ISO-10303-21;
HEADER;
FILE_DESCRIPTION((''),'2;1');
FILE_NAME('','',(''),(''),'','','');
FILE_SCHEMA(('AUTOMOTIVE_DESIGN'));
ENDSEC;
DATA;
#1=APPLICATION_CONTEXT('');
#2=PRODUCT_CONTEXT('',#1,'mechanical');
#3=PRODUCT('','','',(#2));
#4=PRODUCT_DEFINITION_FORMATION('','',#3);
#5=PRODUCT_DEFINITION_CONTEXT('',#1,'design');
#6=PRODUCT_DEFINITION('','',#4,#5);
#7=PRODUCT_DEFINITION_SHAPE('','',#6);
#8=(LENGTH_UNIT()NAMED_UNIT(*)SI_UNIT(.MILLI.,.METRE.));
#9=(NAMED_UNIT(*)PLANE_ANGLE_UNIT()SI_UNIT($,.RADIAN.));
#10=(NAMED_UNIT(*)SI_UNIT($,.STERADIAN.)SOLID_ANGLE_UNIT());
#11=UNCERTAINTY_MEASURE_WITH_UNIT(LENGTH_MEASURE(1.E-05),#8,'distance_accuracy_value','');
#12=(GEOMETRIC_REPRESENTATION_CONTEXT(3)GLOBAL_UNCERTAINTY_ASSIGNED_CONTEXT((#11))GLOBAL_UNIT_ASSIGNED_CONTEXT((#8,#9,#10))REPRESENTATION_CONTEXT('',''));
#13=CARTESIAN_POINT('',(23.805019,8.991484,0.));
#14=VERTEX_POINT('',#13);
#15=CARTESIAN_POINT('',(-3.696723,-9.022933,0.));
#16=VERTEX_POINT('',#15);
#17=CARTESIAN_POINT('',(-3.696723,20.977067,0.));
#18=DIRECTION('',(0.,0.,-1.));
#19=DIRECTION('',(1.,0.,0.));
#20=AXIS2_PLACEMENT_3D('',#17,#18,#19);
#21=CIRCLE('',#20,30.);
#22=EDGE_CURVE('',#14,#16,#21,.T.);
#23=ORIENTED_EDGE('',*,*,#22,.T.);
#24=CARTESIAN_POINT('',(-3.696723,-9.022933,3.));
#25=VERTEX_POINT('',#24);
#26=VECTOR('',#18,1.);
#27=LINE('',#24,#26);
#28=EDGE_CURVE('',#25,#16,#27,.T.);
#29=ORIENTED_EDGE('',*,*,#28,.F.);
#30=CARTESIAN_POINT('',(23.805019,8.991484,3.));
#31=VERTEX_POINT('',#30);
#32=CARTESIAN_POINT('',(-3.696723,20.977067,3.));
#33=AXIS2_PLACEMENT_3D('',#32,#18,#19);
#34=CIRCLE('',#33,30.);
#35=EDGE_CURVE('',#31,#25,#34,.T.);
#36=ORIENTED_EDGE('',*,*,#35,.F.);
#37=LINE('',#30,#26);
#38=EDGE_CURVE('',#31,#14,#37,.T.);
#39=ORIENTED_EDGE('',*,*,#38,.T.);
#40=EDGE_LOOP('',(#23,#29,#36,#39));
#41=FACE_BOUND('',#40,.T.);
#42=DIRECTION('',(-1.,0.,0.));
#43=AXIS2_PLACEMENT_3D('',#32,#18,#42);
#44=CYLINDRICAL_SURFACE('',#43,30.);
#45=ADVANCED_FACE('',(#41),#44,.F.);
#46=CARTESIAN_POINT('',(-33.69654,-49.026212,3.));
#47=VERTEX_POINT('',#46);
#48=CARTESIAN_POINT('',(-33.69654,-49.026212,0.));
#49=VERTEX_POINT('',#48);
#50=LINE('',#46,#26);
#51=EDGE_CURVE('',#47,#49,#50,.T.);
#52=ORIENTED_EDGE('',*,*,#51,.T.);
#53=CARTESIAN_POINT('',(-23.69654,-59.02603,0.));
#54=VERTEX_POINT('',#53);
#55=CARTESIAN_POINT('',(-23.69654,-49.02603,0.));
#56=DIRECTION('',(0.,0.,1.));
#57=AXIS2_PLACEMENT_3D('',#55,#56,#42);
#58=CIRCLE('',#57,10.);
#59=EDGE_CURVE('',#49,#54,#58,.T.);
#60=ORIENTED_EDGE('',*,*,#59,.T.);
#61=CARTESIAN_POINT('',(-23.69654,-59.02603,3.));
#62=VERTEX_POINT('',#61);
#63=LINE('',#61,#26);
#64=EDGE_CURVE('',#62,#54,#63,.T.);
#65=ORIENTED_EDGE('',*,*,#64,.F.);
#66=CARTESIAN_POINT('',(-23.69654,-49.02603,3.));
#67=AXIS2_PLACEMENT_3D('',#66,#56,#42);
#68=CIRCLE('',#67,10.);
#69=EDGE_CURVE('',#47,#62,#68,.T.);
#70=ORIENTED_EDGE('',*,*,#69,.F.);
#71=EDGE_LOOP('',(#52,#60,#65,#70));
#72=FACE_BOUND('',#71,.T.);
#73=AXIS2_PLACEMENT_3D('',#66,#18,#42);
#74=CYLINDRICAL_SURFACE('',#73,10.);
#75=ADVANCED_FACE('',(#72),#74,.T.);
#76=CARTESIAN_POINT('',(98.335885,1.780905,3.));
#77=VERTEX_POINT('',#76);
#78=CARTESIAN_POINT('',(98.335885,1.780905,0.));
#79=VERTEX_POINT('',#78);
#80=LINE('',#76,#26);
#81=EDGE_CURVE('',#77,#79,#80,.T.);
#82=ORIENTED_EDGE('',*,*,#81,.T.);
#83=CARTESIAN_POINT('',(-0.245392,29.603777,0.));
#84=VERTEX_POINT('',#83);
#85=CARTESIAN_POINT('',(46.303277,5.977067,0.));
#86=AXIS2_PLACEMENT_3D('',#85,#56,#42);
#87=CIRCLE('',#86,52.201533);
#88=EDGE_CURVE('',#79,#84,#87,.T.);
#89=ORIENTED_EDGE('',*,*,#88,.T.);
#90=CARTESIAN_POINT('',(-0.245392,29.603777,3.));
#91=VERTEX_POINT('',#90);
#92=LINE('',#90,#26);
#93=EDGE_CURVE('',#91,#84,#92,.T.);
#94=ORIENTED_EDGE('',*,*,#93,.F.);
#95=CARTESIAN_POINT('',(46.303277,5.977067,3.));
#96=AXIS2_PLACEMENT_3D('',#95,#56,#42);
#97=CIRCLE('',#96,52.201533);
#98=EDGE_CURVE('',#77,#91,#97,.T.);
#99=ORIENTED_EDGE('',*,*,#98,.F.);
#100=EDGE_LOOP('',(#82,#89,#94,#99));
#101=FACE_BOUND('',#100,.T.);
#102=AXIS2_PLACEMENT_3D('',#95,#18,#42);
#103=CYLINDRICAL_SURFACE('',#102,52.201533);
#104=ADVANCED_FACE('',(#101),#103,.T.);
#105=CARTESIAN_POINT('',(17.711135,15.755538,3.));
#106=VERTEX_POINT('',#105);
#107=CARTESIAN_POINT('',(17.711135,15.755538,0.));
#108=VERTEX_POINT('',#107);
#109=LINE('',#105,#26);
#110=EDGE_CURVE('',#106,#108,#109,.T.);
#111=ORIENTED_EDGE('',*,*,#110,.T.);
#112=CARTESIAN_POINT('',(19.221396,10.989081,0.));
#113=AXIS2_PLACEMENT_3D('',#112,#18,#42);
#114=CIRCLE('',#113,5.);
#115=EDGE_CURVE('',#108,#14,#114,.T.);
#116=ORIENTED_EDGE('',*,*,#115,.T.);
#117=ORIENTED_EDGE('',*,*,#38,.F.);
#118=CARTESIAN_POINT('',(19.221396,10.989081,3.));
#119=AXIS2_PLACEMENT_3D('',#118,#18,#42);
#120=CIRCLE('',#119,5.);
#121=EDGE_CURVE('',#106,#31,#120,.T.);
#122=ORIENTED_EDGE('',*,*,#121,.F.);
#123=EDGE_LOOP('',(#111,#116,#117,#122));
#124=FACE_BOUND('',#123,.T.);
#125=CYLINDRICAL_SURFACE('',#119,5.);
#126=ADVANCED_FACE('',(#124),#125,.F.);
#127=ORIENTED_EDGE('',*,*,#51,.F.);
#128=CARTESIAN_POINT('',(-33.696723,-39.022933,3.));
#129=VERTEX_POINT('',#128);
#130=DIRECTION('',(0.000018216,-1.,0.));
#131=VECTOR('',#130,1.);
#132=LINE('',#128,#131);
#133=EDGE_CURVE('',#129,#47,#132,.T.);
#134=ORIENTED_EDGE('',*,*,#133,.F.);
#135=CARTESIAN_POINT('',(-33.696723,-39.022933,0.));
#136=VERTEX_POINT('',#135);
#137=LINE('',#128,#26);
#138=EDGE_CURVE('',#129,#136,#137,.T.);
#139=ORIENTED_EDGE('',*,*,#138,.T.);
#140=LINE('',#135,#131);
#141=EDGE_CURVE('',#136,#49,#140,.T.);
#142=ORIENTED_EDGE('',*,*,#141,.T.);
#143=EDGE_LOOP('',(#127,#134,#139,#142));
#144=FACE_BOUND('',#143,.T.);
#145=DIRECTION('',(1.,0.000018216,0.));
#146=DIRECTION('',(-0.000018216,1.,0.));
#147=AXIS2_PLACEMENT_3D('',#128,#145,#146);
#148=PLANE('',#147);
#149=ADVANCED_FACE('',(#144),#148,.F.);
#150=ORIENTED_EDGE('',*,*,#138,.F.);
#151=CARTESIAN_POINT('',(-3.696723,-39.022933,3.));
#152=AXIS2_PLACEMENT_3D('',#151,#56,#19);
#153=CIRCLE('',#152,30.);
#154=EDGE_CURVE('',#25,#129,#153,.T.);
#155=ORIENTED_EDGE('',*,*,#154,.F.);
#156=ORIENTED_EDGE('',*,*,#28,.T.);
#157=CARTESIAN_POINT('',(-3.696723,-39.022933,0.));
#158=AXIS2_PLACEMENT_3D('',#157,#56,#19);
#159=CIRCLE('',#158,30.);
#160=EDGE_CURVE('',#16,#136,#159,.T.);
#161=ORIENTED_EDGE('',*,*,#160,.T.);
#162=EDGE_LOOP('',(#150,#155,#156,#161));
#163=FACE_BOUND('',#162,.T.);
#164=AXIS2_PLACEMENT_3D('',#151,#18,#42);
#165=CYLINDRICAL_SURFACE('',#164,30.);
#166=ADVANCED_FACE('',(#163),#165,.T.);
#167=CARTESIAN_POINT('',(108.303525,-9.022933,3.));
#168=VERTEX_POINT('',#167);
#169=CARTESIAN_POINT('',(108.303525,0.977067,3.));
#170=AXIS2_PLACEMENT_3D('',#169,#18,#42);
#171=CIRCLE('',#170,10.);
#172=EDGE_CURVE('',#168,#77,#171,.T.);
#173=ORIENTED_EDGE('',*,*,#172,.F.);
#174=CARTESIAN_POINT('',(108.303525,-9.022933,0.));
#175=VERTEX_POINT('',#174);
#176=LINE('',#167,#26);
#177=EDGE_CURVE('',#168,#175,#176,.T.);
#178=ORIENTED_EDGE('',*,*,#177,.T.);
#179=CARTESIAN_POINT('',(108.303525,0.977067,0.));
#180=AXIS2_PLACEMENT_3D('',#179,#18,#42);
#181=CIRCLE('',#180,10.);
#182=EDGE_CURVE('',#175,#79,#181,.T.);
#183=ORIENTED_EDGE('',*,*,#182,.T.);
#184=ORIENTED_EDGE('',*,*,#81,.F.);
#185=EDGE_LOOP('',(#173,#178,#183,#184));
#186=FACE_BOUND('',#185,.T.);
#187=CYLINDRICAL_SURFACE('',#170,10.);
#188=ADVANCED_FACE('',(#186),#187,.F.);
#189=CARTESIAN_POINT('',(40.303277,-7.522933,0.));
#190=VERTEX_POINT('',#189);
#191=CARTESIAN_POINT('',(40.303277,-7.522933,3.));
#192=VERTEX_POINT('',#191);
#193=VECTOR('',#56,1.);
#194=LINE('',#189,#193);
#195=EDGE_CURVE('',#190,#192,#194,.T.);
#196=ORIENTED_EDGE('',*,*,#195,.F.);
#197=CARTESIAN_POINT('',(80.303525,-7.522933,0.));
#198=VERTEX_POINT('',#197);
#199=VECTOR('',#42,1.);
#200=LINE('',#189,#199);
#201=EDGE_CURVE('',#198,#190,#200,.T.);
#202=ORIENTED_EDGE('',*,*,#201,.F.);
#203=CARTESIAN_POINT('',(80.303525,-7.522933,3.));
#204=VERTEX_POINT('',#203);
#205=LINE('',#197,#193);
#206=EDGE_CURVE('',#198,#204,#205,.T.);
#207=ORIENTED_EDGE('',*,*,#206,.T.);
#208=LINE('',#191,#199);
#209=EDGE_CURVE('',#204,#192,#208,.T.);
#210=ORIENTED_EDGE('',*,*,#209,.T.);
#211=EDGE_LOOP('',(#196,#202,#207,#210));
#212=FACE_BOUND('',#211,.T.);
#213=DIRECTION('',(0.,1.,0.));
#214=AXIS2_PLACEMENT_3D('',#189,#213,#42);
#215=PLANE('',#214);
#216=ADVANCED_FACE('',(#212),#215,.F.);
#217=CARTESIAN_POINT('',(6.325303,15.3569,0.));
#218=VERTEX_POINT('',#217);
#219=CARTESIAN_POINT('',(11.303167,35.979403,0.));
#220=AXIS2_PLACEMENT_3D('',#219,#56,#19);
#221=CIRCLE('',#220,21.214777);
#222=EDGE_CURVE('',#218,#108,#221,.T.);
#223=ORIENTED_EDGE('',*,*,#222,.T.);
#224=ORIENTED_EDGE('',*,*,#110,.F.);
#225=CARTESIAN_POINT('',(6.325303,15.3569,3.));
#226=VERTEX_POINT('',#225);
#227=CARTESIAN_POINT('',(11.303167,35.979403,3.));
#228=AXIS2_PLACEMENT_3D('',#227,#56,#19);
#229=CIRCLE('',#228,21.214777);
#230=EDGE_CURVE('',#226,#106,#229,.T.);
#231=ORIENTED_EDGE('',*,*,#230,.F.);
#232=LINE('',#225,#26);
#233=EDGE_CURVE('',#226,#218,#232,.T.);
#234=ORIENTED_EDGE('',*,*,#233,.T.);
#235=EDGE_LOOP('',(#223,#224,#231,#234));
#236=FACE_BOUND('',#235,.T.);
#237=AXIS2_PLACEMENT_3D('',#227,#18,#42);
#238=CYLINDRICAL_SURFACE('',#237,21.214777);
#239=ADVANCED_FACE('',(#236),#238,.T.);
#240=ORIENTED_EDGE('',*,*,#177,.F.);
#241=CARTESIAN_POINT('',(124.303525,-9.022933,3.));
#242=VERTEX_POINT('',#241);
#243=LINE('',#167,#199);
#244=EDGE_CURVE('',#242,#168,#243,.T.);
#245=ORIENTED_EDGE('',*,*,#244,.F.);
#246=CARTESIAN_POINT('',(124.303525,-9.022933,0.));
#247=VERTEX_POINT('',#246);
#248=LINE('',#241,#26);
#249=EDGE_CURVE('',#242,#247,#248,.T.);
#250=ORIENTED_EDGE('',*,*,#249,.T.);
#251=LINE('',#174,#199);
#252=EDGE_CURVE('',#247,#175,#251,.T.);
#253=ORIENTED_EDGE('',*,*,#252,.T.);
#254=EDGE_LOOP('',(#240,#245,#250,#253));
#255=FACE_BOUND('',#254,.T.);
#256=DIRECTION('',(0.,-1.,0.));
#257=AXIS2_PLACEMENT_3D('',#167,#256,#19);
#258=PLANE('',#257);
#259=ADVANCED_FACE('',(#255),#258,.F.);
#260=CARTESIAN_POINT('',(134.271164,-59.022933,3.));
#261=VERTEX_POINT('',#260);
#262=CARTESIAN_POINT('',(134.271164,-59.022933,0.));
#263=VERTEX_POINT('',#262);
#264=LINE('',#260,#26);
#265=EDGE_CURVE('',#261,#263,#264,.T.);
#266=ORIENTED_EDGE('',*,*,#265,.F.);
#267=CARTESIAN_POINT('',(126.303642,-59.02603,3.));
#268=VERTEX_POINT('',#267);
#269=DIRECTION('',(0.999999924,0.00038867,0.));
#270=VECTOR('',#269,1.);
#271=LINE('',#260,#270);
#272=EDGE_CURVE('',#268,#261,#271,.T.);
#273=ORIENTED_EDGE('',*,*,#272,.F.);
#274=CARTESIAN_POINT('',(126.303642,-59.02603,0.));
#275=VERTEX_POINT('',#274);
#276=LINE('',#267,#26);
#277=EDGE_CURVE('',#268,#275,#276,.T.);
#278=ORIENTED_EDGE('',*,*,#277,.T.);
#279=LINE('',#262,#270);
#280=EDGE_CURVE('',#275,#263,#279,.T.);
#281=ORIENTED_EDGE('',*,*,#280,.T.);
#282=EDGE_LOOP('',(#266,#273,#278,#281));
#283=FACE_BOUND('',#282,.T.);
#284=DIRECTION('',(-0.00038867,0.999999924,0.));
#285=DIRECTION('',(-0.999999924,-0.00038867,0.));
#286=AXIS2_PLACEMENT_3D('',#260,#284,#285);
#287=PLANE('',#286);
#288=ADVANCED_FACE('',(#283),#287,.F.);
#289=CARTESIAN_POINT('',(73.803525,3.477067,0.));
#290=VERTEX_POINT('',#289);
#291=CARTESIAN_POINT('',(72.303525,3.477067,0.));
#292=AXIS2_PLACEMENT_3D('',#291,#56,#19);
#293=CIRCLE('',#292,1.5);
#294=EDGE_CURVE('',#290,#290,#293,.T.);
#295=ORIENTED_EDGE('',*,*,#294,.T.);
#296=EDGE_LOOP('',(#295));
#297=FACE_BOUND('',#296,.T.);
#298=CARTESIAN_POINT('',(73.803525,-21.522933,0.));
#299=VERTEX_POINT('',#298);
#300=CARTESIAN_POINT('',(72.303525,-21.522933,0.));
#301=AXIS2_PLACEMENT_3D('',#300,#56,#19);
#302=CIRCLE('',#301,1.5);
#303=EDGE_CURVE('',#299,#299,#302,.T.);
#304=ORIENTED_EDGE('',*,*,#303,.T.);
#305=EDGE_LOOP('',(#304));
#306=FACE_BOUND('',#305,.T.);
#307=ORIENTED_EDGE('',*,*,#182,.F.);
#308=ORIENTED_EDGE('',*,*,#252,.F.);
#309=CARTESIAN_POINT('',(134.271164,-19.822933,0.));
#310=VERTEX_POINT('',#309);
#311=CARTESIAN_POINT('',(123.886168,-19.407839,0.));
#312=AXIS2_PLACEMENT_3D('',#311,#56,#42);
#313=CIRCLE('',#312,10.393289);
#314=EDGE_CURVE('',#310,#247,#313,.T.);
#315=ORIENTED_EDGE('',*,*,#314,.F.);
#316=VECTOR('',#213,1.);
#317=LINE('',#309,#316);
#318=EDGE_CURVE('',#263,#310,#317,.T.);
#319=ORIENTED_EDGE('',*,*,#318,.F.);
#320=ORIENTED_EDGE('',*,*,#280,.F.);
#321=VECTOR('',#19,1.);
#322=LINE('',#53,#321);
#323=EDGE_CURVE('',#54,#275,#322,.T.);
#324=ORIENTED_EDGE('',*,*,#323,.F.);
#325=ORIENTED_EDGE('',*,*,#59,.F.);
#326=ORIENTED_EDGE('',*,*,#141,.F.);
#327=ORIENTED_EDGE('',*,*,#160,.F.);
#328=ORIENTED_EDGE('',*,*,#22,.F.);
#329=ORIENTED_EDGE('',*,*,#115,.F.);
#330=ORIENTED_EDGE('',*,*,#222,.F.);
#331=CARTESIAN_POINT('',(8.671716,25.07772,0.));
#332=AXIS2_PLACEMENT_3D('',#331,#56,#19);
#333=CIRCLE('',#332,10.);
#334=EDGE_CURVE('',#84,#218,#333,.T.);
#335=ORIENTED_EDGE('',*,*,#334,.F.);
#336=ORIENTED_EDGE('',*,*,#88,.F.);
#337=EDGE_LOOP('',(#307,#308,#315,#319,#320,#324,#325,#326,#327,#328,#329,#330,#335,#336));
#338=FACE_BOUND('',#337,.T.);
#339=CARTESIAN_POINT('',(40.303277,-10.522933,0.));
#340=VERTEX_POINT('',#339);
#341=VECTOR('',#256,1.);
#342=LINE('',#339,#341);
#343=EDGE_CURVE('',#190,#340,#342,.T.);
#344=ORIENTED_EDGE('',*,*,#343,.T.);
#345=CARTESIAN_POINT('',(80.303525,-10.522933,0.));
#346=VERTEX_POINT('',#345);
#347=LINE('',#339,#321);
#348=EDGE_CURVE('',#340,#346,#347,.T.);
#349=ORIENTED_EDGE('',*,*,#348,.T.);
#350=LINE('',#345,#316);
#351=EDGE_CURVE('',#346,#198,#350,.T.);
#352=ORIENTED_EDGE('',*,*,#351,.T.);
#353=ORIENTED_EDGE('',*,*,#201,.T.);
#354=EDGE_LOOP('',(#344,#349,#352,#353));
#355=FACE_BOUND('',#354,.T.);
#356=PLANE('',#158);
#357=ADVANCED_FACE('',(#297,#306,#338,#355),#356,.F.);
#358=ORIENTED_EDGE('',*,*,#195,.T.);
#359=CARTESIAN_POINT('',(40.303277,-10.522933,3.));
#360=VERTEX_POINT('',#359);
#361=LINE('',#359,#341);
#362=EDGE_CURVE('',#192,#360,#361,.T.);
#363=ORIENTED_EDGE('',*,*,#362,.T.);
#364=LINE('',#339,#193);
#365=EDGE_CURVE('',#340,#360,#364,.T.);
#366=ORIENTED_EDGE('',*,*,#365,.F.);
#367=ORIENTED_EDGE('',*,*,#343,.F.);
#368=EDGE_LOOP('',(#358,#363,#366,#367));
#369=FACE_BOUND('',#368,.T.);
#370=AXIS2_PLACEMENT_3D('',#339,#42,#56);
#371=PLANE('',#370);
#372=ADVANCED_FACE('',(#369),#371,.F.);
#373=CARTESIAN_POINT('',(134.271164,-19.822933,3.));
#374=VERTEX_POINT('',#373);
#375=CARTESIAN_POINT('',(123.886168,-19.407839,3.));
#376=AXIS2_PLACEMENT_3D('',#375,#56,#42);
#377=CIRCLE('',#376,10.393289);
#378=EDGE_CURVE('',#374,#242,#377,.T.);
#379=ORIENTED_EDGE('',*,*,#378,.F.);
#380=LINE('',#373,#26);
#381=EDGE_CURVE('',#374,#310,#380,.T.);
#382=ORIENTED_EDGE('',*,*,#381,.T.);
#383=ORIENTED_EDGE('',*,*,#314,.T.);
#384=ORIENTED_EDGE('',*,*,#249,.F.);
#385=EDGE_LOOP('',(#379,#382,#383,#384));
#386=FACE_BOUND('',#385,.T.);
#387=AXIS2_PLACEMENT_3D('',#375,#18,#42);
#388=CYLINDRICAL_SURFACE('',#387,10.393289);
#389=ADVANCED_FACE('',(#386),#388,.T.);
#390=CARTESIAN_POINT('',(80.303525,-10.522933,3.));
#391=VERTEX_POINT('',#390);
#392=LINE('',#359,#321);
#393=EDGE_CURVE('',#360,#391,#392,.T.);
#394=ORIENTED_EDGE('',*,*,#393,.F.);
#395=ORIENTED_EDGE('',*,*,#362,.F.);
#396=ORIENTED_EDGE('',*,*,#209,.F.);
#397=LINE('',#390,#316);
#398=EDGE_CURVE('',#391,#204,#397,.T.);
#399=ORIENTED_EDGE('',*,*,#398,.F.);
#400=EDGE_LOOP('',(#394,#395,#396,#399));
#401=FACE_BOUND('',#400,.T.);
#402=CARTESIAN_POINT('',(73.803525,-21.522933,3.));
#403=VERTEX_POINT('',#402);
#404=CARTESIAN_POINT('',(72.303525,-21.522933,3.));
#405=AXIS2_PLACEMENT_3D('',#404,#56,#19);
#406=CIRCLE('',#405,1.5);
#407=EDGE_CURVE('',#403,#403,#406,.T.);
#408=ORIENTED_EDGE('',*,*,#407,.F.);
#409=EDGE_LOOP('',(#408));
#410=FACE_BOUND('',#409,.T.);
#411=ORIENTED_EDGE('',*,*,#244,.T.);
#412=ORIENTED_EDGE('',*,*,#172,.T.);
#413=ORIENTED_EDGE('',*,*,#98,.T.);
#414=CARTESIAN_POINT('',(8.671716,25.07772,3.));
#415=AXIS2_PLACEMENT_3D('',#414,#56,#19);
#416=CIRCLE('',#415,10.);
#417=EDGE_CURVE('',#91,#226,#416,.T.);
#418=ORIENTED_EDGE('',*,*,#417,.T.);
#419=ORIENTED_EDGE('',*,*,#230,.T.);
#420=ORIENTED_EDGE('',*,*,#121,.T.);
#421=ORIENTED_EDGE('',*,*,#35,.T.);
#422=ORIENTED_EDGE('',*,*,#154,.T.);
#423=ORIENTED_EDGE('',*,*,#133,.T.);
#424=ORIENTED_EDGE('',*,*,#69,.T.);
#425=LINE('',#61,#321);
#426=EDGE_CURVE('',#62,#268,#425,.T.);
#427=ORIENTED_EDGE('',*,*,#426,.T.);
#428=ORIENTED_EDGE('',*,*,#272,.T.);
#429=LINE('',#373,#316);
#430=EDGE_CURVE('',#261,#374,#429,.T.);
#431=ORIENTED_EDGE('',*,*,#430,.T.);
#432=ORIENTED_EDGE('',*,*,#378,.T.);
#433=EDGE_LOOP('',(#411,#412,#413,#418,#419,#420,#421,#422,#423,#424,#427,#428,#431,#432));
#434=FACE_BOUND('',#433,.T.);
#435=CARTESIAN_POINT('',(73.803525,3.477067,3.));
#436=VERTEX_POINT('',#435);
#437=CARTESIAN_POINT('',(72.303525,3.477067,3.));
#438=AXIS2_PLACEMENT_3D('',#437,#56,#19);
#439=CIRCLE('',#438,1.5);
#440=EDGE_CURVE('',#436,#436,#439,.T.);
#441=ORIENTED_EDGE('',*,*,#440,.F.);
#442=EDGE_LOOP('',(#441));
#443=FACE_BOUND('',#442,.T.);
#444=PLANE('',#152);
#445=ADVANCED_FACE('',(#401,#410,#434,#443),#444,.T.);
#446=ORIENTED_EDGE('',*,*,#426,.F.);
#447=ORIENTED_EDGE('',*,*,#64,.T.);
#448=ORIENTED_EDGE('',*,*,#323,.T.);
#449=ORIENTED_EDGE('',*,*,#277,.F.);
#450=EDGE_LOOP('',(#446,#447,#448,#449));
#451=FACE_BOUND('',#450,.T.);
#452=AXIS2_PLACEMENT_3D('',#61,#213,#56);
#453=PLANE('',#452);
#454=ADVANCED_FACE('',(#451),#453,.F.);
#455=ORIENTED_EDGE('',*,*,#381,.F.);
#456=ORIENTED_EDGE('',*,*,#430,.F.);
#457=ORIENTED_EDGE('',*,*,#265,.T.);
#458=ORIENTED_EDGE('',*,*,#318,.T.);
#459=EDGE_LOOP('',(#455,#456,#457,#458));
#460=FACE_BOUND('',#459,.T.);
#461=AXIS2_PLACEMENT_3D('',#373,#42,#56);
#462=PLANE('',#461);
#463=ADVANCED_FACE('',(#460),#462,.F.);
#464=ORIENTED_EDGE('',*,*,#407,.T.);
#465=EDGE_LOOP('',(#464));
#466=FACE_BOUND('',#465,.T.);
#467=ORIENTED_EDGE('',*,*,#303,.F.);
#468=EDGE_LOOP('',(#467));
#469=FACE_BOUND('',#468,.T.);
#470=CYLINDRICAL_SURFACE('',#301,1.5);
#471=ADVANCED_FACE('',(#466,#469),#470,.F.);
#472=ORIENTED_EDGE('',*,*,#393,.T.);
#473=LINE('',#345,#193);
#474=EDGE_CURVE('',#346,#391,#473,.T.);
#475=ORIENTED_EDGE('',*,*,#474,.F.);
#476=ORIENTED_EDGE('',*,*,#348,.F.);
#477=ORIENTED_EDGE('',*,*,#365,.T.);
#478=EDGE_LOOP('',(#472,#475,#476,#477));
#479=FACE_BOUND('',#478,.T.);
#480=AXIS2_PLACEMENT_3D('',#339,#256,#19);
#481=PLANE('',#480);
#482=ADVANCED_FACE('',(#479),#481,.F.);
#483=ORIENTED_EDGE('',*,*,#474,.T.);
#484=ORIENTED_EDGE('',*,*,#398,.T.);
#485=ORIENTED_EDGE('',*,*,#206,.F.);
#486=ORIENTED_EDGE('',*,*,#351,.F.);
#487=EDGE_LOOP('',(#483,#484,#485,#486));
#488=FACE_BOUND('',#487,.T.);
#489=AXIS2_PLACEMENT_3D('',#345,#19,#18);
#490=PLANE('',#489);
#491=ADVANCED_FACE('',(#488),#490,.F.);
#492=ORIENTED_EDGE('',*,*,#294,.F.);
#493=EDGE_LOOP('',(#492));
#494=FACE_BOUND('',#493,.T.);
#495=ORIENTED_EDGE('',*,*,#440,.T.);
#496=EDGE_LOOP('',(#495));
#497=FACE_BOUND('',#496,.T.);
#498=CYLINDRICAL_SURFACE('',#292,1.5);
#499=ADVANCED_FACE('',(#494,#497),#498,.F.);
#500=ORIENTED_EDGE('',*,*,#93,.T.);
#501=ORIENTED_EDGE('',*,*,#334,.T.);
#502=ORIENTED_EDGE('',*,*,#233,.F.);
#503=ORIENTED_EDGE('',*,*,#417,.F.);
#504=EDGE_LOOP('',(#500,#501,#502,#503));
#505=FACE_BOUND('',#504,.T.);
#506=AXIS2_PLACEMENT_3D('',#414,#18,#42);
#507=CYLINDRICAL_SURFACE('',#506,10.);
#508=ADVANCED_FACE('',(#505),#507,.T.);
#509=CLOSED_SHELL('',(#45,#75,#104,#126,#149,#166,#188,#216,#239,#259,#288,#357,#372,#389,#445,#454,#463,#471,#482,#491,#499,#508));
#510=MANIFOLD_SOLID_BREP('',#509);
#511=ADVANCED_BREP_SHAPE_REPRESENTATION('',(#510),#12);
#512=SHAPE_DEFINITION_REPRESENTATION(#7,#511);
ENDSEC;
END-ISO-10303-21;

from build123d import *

# Parameters (mm, degrees)
RESSALTO_EXTRUS_O1_DEPTH = 3
ESBO_O2_W                = 40.000247185
ESBO_O2_H                = 3
CORTE_EXTRUS_O1_DEPTH    = 147.710752088
ESBO_O3_R                = 1.5
CORTE_EXTRUS_O2_DEPTH    = 147.710752088


with BuildPart() as part:
    # Esboço1 → Ressalto-extrusão1 (new body)
    with BuildSketch(Plane.XY):
        with BuildLine():
            Line((-23.696540285, -59.026029985), (126.303641818, -59.026029985))
            Line((126.303641818, -59.026029985), (134.27116449, -59.022933245))
            Line((134.27116449, -59.022933245), (134.27116449, -19.822933247))
            ThreePointArc((134.27116449, -19.822933247), (131.52375333, -12.35888539), (124.30352468, -9.022933247))
            Line((124.30352468, -9.022933247), (108.30352468, -9.022933247))
            ThreePointArc((108.30352468, -9.022933247), (100.95374961, -5.803848113), (98.335884873, 1.780905469))
            ThreePointArc((98.335884873, 1.780905469), (60.482361862, 56.216031378), (-0.245391502, 29.603776524))
            ThreePointArc((-0.245391502, 29.603776524), (-0.409038284, 20.889653739), (6.32530272, 15.356899684))
            ThreePointArc((6.32530272, 15.356899684), (12.045479144, 14.777616646), (17.711135048, 15.755538086))
            ThreePointArc((17.711135048, 15.755538086), (22.936163149, 14.335796242), (23.805019321, 8.991483891))
            ThreePointArc((23.805019321, 8.991483891), (12.741533396, -4.118425729), (-3.696722505, -9.022933247))
            ThreePointArc((-3.696722505, -9.022933247), (-24.90992594, -17.809729811), (-33.696722505, -39.022933247))
            Line((-33.696722505, -39.022933247), (-33.696540284, -49.026212146))
            ThreePointArc((-33.696540284, -49.026212146), (-30.767543693, -56.0971622), (-23.696540285, -59.026029985))
        make_face()
    extrude(amount=RESSALTO_EXTRUS_O1_DEPTH)

    # Esboço2 → Corte-extrusão1 (cut, through all)
    with BuildSketch(Plane.XY.offset(3)):
        with Locations((60.303401088, -9.022933247)):
            Rectangle(ESBO_O2_W, ESBO_O2_H)
    extrude(amount=-CORTE_EXTRUS_O1_DEPTH, mode=Mode.SUBTRACT)

    # Esboço3 → Corte-extrusão2 (cut, through all)
    with BuildSketch(Plane.XY.offset(3)):
        with Locations((72.30352468, 3.477066753)):
            Circle(ESBO_O3_R)
        with Locations((72.30352468, -21.522933247)):
            Circle(ESBO_O3_R)
    extrude(amount=-CORTE_EXTRUS_O2_DEPTH, mode=Mode.SUBTRACT)


solid = part.part
